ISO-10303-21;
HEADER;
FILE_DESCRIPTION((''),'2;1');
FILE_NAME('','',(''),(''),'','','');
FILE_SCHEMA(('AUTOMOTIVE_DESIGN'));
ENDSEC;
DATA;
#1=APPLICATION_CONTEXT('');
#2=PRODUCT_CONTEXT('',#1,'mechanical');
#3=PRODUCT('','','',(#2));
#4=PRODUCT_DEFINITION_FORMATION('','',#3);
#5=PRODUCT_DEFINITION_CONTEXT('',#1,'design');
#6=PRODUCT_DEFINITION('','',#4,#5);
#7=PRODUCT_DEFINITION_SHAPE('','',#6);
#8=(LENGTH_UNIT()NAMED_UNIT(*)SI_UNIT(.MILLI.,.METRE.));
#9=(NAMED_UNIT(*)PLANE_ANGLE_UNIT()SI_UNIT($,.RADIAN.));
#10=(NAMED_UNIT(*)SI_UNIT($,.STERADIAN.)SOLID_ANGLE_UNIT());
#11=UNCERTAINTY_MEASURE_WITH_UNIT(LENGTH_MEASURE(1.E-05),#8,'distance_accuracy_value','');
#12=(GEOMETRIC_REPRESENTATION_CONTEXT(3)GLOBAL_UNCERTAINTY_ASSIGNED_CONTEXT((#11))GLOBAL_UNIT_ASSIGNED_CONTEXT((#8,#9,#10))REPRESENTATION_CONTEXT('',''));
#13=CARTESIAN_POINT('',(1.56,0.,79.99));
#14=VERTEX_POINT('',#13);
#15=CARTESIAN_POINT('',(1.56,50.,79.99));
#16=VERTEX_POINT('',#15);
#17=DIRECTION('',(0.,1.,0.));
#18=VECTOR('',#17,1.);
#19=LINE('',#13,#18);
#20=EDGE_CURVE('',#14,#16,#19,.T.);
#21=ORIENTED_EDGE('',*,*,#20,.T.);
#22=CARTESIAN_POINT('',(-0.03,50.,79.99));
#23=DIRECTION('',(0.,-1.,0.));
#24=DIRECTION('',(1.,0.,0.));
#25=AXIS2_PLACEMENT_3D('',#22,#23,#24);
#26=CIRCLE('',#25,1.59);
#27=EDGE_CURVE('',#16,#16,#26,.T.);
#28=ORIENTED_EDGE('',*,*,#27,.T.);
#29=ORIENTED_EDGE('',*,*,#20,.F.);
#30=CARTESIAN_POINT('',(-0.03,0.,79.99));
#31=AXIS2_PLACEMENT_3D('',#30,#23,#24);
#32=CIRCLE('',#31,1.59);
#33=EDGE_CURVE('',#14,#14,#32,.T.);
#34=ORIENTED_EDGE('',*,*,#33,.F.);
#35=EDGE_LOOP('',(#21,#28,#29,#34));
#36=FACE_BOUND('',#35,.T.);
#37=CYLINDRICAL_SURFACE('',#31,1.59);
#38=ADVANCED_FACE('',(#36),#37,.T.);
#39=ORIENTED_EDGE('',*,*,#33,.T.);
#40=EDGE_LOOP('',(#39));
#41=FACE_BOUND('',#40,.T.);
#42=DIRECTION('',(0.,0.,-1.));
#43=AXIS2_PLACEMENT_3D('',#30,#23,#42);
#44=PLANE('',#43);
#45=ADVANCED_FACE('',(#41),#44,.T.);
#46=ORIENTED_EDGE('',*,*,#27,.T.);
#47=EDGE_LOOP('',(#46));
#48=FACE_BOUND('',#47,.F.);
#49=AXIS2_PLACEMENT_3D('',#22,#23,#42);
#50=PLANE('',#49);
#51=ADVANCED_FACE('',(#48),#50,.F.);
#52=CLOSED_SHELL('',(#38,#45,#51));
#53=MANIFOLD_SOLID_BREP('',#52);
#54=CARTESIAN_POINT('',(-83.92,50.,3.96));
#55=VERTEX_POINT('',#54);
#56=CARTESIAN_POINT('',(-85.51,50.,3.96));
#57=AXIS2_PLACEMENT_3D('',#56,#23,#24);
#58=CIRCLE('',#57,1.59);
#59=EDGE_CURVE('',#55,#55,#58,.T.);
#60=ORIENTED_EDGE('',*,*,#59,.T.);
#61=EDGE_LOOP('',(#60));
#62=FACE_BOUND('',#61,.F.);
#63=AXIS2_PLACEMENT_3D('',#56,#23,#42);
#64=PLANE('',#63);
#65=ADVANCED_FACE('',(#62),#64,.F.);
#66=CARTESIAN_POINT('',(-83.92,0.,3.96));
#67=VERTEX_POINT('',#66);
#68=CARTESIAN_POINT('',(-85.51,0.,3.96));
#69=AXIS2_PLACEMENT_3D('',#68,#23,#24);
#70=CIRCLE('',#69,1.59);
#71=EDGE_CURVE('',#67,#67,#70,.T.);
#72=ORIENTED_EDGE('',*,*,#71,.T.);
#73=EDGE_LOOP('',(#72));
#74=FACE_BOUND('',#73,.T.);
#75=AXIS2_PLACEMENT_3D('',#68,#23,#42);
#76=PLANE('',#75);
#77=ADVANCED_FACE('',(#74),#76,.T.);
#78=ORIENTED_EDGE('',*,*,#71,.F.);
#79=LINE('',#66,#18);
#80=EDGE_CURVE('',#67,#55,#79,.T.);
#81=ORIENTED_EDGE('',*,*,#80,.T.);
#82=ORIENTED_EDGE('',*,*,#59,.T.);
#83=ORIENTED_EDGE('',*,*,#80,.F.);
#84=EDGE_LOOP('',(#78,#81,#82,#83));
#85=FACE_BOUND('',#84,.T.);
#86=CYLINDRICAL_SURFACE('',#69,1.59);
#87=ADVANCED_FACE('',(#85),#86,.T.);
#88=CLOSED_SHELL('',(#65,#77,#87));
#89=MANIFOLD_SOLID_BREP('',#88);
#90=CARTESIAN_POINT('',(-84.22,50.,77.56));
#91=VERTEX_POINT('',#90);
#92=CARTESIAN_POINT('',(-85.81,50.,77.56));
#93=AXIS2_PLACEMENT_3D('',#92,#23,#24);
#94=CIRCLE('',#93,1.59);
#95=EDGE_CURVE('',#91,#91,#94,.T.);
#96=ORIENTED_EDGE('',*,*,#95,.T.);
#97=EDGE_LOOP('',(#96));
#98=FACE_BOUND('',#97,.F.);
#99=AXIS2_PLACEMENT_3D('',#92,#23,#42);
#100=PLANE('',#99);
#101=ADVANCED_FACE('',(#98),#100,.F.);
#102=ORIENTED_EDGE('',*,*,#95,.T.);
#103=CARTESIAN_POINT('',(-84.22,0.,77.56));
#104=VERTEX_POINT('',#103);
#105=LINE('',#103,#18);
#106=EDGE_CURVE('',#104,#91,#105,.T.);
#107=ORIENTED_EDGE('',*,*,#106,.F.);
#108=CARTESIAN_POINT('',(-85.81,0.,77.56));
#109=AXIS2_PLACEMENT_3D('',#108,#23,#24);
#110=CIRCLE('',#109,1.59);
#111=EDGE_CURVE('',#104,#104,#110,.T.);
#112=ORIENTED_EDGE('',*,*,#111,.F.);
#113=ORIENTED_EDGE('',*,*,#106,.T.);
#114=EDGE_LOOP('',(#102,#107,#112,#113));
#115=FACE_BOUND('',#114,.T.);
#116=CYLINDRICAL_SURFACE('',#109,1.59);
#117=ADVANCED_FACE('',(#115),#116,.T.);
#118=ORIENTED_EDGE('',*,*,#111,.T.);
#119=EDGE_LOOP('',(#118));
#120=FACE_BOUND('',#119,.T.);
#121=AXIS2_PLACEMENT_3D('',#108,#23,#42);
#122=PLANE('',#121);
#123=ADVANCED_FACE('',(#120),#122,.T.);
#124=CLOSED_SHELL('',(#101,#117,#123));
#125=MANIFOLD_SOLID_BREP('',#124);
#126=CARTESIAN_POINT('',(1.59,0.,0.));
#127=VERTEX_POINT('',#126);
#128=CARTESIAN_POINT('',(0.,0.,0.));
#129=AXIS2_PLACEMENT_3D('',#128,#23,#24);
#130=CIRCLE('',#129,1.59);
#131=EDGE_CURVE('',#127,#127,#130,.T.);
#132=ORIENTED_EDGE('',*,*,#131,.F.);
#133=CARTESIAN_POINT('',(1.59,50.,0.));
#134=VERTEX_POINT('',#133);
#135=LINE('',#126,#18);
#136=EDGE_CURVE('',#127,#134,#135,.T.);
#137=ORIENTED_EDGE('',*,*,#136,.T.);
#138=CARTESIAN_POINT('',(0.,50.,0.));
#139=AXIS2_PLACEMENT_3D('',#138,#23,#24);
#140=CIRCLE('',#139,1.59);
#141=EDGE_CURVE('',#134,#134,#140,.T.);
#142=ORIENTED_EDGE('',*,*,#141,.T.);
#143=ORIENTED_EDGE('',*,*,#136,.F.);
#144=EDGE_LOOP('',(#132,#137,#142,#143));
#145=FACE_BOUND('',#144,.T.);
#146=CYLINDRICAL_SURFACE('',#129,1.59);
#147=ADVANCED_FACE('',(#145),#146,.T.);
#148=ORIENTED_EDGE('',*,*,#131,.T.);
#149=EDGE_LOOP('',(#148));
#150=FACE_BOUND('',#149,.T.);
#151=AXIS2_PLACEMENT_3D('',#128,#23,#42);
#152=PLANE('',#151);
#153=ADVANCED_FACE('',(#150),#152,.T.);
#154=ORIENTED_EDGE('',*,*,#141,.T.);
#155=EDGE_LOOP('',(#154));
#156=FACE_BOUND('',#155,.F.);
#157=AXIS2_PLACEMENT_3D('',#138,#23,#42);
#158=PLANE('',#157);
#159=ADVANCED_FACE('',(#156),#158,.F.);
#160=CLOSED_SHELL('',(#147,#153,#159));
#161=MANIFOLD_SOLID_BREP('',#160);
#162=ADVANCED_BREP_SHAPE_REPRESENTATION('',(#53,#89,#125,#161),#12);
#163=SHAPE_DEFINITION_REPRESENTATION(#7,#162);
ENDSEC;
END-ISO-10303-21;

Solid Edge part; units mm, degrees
sketch "Sketch1" plane through (0, 0, 0) normal (0, -1, 0) x (1, 0, 0)
  circle A0 centre (0, 0) radius 1.59
  circle A1 centre (-85.81, 77.56) radius 1.59
  circle A2 centre (-0.03, 79.99) radius 1.59
  circle A3 centre (-85.51, 3.96) radius 1.59
  dimension "D1" = 85.51
  dimension "D2" = 3.96
  dimension "D3" = 79.99
  dimension "D4" = 0.03
  dimension "D5" = 85.78
  dimension "D6" = 73.6
extrude "Protrusion1" add sketch "Sketch1" against normal blind 50
properties material "Aluminum, 1350"
